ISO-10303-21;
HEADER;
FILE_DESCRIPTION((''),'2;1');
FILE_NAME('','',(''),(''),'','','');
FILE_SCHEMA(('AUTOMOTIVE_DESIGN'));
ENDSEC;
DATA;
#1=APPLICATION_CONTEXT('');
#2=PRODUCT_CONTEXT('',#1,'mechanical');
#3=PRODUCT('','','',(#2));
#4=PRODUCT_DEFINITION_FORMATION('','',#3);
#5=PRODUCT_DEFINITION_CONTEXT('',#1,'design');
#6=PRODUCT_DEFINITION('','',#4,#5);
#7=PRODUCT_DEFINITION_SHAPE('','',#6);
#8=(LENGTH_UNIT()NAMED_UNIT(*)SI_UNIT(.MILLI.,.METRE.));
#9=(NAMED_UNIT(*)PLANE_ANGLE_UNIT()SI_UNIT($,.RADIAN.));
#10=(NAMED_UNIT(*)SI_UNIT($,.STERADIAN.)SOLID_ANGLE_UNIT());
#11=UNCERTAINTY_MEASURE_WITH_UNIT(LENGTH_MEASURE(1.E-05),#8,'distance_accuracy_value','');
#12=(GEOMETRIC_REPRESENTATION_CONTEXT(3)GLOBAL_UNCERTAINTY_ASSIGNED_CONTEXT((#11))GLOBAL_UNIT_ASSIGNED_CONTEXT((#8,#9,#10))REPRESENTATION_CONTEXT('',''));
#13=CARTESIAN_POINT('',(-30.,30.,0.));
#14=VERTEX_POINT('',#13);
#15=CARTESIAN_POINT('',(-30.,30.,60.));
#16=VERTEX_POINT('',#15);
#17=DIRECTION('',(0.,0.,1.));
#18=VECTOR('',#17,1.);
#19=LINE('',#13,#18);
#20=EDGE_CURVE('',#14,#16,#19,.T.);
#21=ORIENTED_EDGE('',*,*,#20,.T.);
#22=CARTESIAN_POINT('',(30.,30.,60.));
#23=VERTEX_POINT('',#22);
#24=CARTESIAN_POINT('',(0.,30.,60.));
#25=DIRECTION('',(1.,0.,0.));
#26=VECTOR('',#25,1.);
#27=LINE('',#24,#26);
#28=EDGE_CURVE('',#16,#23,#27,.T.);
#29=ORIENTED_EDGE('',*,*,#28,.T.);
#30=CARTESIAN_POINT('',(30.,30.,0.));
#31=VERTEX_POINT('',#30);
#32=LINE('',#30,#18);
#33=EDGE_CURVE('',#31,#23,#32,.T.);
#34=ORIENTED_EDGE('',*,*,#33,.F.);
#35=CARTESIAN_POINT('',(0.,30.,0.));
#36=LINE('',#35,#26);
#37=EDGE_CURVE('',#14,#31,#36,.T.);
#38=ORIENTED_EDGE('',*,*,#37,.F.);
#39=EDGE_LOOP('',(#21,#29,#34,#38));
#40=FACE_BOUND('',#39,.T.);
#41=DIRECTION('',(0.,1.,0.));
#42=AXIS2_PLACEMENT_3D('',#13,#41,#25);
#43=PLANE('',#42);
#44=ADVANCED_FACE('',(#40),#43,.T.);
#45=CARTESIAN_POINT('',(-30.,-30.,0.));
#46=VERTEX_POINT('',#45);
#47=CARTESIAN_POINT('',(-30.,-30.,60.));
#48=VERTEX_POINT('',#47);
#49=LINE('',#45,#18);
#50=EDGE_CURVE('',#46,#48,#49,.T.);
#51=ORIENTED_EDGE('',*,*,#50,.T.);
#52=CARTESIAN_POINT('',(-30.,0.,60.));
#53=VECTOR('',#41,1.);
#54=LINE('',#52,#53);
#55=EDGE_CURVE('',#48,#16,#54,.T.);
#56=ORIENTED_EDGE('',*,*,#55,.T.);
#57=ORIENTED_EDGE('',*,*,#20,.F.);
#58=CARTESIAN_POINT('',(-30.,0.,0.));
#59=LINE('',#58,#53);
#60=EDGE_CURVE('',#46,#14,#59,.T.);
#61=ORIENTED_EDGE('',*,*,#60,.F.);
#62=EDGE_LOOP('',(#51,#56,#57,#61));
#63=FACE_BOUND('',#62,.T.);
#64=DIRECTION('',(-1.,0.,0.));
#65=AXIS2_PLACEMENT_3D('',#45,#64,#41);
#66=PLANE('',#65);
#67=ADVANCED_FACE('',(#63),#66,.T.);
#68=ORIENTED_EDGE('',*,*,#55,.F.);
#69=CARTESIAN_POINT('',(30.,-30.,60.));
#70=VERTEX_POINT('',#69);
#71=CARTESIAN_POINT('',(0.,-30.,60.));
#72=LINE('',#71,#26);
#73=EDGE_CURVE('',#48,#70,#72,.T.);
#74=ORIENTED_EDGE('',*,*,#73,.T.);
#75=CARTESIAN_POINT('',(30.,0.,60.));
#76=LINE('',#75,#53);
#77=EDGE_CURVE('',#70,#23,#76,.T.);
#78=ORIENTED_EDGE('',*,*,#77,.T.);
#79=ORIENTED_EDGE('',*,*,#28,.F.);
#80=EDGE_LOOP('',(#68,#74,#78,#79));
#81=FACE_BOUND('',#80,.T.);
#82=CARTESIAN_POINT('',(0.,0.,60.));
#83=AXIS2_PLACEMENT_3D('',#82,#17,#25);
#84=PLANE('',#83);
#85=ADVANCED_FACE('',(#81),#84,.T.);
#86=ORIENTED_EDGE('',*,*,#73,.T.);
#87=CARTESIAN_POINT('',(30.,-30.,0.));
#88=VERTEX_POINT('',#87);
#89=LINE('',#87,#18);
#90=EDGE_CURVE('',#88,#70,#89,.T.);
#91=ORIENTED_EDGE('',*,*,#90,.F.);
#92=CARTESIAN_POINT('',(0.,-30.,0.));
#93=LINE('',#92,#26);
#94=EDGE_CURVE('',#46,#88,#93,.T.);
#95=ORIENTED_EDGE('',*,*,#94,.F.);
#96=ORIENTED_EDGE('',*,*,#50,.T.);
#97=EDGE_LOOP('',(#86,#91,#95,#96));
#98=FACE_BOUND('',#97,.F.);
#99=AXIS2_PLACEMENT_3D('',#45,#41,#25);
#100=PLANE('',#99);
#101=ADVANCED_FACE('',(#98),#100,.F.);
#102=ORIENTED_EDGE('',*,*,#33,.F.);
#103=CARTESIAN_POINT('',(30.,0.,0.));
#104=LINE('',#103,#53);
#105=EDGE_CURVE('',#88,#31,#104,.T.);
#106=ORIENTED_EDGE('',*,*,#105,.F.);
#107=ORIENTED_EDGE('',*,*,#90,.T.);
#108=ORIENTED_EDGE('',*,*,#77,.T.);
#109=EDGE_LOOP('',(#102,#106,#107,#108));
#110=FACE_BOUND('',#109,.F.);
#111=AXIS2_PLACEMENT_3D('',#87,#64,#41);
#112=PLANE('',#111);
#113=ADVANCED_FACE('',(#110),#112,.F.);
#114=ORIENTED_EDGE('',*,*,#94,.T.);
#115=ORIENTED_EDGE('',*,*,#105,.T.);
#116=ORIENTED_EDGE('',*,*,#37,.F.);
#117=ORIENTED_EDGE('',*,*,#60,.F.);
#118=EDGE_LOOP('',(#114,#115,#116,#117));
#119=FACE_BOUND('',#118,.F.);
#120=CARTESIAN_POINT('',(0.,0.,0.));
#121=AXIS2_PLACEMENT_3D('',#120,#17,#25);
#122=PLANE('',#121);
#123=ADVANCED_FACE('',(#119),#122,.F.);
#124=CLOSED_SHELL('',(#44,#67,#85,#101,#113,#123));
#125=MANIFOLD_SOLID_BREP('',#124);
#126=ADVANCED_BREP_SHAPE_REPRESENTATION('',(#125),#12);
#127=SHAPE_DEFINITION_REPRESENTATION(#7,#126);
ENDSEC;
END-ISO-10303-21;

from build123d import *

# Parameters (mm, degrees)
CROQUIS1_W              = 60
CROQUIS1_H              = 60
SALIENTE_EXTRUIR1_DEPTH = 60


with BuildPart() as part:
    # Croquis1 → Saliente-Extruir1 (new body)
    with BuildSketch(Plane.XY):
        Rectangle(CROQUIS1_W, CROQUIS1_H)
    extrude(amount=SALIENTE_EXTRUIR1_DEPTH)


solid = part.part
